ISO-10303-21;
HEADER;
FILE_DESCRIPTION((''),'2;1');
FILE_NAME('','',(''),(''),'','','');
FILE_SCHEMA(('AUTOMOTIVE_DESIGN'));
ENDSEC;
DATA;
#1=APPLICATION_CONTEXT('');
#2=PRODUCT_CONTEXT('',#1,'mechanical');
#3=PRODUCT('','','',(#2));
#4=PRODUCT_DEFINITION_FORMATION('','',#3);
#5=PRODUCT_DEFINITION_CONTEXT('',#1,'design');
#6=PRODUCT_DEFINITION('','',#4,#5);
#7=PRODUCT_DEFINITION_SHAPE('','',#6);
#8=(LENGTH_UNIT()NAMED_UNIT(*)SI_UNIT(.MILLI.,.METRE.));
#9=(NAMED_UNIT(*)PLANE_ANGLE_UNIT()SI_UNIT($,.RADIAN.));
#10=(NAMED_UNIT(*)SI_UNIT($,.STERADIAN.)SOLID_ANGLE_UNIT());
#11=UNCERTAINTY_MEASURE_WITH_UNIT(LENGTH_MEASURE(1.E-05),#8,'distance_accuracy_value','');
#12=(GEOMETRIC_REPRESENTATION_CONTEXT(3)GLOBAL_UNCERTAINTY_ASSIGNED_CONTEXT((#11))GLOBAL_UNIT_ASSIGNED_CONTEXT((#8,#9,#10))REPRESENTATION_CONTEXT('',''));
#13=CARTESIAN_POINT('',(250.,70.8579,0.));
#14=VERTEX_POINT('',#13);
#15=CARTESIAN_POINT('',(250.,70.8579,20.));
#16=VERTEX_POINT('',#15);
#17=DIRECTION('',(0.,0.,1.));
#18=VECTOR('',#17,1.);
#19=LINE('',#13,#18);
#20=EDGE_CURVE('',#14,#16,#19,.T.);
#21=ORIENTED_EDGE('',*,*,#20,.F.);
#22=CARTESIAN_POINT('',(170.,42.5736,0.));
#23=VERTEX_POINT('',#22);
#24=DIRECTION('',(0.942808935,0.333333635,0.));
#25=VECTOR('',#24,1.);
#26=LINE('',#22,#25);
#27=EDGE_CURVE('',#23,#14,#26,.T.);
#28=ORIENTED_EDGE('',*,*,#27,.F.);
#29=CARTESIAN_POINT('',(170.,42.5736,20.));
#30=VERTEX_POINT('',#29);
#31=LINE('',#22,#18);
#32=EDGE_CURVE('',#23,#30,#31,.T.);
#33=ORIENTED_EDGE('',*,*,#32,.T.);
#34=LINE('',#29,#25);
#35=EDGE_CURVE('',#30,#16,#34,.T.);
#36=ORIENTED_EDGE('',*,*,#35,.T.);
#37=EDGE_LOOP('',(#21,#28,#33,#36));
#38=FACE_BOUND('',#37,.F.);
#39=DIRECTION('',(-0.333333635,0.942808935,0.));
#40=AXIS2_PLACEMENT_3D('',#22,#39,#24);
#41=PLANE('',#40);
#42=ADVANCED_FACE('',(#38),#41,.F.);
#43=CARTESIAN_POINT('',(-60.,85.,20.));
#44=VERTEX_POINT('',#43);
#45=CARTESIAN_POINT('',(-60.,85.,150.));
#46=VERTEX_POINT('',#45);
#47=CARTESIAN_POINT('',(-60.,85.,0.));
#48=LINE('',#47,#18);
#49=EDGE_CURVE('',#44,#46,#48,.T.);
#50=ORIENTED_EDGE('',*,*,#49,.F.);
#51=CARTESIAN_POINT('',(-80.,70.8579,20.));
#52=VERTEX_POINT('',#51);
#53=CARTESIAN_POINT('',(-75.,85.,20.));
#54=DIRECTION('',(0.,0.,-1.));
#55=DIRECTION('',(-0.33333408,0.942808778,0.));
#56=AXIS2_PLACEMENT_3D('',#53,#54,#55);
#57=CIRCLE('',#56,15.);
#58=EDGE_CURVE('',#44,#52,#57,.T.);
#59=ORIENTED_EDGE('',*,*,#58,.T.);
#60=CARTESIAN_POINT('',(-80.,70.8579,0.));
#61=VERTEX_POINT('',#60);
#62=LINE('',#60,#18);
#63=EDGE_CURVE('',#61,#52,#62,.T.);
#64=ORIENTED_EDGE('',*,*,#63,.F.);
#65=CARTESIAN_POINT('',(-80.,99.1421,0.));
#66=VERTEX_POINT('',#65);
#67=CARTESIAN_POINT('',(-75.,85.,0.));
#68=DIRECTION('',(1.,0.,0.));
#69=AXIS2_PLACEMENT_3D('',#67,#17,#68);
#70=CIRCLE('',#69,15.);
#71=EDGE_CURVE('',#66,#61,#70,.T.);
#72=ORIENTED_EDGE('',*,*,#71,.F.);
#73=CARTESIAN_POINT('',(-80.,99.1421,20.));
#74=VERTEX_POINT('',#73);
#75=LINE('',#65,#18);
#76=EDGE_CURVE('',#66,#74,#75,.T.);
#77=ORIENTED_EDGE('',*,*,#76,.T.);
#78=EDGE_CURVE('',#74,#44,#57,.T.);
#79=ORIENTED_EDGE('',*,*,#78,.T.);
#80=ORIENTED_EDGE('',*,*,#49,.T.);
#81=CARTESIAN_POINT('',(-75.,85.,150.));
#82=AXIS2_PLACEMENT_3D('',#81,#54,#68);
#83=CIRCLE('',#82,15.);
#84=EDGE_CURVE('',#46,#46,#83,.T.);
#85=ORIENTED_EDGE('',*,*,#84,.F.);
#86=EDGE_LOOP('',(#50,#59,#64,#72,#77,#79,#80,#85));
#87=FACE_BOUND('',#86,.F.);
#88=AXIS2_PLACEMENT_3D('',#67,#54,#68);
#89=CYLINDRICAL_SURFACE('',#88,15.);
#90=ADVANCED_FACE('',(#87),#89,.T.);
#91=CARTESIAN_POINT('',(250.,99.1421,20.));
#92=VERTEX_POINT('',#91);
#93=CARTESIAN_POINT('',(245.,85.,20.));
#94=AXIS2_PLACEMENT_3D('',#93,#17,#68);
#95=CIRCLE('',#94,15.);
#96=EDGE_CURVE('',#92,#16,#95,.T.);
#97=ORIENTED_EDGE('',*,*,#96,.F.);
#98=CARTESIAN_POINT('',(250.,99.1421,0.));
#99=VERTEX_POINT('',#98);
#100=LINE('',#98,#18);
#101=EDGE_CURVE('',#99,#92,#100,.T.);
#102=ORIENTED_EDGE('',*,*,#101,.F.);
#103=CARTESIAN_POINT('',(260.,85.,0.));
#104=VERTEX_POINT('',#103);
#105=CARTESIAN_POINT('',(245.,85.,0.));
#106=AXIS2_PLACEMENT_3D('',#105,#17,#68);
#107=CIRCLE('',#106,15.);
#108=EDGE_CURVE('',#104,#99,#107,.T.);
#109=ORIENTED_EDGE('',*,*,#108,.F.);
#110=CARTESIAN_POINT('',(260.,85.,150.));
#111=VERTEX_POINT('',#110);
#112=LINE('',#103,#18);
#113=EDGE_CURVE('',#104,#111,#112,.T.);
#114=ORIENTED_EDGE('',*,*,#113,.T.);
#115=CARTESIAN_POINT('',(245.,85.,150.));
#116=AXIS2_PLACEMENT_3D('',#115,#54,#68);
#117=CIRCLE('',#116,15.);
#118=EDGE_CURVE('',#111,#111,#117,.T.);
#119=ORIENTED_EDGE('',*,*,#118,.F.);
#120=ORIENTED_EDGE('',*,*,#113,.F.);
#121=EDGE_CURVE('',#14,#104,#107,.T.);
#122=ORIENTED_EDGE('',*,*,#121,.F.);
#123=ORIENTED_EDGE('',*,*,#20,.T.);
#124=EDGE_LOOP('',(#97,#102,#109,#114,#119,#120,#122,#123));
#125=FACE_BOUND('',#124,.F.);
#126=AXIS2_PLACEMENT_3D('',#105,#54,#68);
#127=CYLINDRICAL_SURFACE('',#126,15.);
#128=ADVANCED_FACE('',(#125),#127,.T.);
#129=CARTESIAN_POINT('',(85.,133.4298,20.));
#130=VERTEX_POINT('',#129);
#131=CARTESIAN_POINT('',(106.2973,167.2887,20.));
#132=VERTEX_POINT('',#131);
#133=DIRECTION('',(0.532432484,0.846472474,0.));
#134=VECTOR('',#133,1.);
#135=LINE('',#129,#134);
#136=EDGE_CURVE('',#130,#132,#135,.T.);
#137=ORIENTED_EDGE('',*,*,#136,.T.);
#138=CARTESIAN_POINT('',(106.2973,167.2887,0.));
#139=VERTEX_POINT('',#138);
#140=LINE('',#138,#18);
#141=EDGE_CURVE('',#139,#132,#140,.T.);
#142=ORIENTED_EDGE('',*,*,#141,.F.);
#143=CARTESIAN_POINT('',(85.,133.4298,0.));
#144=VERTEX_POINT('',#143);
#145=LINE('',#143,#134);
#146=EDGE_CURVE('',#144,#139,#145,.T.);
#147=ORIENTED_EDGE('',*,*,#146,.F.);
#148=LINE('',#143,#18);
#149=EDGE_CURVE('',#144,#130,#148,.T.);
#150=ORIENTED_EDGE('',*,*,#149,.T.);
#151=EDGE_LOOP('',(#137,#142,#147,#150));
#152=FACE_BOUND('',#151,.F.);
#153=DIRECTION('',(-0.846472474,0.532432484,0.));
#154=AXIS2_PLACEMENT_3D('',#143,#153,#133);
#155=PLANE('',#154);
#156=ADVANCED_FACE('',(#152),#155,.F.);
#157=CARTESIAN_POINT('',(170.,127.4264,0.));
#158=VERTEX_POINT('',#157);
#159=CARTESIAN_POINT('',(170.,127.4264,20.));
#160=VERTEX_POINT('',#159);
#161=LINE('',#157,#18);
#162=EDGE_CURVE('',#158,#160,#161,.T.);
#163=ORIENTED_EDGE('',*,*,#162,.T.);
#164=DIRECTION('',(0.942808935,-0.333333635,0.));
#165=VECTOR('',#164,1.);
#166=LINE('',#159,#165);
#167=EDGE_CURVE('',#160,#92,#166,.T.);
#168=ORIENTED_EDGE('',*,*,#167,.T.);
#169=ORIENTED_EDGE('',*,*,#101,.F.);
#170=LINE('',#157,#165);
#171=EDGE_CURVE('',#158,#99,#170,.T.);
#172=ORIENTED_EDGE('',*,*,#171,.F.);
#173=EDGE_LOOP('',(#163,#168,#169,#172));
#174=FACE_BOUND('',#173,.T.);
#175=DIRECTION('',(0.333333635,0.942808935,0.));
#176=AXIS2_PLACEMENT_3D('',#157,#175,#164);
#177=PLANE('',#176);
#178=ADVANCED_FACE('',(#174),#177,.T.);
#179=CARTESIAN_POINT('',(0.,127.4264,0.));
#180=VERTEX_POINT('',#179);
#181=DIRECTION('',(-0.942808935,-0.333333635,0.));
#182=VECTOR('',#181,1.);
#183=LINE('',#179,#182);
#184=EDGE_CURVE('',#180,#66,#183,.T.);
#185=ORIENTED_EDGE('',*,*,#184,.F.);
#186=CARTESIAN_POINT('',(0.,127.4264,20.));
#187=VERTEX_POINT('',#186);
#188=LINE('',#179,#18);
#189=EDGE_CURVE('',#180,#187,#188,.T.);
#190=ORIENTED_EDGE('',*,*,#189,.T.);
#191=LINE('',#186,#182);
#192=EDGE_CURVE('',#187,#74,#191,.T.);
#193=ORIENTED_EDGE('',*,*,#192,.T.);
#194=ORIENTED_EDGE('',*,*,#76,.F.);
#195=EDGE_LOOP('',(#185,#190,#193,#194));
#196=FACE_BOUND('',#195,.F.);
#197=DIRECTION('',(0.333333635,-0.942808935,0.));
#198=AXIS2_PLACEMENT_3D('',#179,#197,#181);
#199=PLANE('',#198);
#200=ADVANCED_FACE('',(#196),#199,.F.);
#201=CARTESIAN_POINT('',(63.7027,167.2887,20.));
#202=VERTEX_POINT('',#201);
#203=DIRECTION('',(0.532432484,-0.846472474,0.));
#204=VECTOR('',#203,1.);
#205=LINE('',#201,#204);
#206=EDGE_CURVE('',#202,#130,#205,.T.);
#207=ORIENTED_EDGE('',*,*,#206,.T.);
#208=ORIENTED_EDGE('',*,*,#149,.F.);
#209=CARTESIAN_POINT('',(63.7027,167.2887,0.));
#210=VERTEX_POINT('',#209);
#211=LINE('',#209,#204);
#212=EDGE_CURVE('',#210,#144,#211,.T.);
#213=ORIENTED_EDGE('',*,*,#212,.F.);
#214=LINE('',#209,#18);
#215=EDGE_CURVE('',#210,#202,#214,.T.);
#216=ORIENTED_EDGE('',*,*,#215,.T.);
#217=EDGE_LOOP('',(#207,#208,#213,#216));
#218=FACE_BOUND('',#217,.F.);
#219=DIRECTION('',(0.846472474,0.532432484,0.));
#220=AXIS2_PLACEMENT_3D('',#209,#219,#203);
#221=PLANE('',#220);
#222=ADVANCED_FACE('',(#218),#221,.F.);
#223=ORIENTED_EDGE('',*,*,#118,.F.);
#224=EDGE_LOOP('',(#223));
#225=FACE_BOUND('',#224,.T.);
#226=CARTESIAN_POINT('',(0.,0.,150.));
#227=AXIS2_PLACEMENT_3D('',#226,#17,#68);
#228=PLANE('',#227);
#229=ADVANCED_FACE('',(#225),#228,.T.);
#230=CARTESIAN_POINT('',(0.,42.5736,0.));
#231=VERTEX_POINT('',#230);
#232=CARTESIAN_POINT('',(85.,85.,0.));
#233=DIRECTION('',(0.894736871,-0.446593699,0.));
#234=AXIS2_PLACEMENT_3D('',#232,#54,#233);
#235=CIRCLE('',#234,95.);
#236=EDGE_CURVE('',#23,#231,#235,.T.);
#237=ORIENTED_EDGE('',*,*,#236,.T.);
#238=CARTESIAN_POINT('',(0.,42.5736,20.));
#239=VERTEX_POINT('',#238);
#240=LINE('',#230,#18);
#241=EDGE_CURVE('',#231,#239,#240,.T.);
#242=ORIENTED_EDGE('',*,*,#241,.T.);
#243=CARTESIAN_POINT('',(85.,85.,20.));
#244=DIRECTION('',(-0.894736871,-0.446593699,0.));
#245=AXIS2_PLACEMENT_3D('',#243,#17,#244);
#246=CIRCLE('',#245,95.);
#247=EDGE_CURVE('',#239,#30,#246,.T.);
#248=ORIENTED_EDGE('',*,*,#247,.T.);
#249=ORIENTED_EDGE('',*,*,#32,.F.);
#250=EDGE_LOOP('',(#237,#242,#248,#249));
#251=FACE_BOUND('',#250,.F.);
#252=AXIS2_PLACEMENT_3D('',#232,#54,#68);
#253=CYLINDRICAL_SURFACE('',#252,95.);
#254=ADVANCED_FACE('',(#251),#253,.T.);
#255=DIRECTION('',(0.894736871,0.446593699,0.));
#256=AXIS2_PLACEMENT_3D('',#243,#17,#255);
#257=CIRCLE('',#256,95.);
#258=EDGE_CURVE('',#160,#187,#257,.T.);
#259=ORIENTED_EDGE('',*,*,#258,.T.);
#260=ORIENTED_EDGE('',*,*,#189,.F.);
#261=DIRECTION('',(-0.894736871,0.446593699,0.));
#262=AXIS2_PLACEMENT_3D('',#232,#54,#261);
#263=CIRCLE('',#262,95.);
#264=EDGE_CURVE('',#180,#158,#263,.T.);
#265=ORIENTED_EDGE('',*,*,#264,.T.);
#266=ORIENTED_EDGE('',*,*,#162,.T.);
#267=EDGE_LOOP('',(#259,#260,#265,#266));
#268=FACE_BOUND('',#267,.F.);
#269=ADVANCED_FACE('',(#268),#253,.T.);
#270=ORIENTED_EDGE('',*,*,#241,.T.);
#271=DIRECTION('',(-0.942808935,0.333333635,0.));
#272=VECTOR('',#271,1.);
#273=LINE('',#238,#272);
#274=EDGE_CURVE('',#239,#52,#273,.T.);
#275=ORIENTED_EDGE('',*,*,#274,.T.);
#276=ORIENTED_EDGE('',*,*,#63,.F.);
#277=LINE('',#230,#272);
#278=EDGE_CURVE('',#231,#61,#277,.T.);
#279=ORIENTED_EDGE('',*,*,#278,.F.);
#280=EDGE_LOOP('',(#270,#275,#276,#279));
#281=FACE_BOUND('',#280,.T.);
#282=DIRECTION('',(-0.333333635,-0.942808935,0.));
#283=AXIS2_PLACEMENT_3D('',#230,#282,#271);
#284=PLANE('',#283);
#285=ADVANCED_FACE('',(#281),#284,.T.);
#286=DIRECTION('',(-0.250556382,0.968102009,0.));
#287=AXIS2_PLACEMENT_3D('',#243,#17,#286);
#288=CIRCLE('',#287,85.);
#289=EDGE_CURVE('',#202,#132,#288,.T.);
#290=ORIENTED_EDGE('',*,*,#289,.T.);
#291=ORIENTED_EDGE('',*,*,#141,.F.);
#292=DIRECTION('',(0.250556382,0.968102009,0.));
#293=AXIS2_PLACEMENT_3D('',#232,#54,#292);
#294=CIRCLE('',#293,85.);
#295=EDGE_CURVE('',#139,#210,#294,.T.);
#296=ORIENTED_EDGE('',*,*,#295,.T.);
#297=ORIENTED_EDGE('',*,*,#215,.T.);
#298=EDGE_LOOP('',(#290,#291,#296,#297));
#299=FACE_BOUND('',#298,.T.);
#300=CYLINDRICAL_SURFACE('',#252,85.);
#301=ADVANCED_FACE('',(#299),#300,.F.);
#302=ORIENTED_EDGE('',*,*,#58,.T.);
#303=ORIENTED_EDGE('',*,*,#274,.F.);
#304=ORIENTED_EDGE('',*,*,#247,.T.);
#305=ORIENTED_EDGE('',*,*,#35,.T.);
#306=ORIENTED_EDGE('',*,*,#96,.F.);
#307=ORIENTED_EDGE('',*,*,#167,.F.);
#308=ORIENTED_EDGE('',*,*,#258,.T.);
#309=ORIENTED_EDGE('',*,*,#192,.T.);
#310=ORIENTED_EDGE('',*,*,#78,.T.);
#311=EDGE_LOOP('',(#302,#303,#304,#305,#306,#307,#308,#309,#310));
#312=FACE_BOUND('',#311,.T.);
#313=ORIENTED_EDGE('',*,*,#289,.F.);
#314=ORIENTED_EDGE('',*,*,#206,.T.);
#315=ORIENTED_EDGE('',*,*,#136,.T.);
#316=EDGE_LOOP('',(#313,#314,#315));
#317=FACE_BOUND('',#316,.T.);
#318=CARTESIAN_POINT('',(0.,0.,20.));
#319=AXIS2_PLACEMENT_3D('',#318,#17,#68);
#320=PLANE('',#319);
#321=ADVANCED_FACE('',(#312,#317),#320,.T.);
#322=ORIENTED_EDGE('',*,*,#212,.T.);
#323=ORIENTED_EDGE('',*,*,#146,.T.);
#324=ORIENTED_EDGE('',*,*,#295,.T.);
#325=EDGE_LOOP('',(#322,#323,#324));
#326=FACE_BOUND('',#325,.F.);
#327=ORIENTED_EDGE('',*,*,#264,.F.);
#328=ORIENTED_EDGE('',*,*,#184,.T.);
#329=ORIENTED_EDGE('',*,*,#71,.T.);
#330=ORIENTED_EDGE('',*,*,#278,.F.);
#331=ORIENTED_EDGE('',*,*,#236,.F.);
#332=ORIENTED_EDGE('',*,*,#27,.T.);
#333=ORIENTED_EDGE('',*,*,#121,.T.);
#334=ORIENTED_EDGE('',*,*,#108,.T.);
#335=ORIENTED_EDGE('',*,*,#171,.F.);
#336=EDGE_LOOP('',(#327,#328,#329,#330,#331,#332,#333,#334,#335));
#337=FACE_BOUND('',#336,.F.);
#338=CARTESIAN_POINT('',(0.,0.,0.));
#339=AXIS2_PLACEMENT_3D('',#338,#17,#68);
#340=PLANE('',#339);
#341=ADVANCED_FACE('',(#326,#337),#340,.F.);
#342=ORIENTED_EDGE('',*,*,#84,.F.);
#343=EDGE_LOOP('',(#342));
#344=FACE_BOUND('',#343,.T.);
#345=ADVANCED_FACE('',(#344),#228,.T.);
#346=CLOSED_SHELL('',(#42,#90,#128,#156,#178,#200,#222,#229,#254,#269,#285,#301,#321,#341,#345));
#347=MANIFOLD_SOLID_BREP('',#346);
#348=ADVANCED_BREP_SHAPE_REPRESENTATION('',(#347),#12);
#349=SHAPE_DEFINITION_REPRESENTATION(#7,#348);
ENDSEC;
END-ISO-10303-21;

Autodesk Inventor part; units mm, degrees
ref_plane "YZ Plane" through (0, 0, 0) normal (1, 0, 0) x (0, 1, 0)
ref_plane "XZ Plane" through (0, 0, 0) normal (0, 1, 0) x (-1, 0, 0)
ref_plane "XY Plane" through (0, 0, 0) normal (0, 0, 1) x (1, 0, 0)
sketch "Sketch1" plane through (0, 0, 0) normal (0, 0, 1) x (1, 0, 0)
  circle A0 centre (85, 85) radius 85
  circle A1 centre (245, 85) radius 15
  line L0 (85, 85) -> (170, 127.4264)
  line L1 (85, 85) -> (170, 42.5736)
  arc A2 (170, 42.5736) -> (170, 127.4264) centre (85, 85) ccw
  line L2 (170, 127.4264) -> (250, 99.1421)
  line L3 (170, 42.5736) -> (250, 70.8579)
  line L4 (85, 85) -> (85, 224.6699)
  line L5 (85, 224.6699) -> (85, -37.035)
  circle A3 centre (-75, 85) radius 15
  line L6 (85, 85) -> (0, 127.4264)
  line L7 (85, 85) -> (0, 42.5736)
  arc A4 (0, 127.4264) -> (0, 42.5736) centre (85, 85) ccw
  line L8 (0, 127.4264) -> (-80, 99.1421)
  line L9 (0, 42.5736) -> (-80, 70.8579)
  circle A5 centre (85, 85) radius 95
  line L10 (63.7027, 167.2887) -> (85, 133.4298)
  line L11 (85, 133.4298) -> (106.2973, 167.2887)
  point P0 (0, 0)
  point P1 (161.0526, 122.9605)
  point P2 (161.0526, 47.0395)
  point P3 (8.9474, 47.0395)
  point P4 (8.9474, 122.9605)
  point P5 (170, 42.5736)
  point P6 (0, 42.5736)
  point P7 (170, 127.4264)
  point P8 (0, 127.4264)
  point P9 (85, 143.723)
  dimension "d0" = 170
  dimension "d1" = 85
  dimension "d2" = 85
  dimension "d3" = 30
  dimension "d5" = 160
  dimension "d12" = 85
  dimension "d14" = 53.051
  dimension "d19" = 40
  dimension "d20" = 32.17
  dimension "d21" = 32.17
extrude "Extrusion1" add sketch "Sketch1" along normal blind 20 contours A0 L0 A2 L1 | A0 L4 A5 L0 | L1 A5 L5 A0 | L11 L4 A0 | L2 A1 L3 A2 | L5 A5 L7 A0 | L4 L10 A0 | A0 L6 A5 L4 | A0 L7 A4 L6 | A4 L9 A3 L8
extrude "Extrusion2" add sketch "Sketch1" along normal blind 150 contours A1 | A3
properties part number "shooter handle"
